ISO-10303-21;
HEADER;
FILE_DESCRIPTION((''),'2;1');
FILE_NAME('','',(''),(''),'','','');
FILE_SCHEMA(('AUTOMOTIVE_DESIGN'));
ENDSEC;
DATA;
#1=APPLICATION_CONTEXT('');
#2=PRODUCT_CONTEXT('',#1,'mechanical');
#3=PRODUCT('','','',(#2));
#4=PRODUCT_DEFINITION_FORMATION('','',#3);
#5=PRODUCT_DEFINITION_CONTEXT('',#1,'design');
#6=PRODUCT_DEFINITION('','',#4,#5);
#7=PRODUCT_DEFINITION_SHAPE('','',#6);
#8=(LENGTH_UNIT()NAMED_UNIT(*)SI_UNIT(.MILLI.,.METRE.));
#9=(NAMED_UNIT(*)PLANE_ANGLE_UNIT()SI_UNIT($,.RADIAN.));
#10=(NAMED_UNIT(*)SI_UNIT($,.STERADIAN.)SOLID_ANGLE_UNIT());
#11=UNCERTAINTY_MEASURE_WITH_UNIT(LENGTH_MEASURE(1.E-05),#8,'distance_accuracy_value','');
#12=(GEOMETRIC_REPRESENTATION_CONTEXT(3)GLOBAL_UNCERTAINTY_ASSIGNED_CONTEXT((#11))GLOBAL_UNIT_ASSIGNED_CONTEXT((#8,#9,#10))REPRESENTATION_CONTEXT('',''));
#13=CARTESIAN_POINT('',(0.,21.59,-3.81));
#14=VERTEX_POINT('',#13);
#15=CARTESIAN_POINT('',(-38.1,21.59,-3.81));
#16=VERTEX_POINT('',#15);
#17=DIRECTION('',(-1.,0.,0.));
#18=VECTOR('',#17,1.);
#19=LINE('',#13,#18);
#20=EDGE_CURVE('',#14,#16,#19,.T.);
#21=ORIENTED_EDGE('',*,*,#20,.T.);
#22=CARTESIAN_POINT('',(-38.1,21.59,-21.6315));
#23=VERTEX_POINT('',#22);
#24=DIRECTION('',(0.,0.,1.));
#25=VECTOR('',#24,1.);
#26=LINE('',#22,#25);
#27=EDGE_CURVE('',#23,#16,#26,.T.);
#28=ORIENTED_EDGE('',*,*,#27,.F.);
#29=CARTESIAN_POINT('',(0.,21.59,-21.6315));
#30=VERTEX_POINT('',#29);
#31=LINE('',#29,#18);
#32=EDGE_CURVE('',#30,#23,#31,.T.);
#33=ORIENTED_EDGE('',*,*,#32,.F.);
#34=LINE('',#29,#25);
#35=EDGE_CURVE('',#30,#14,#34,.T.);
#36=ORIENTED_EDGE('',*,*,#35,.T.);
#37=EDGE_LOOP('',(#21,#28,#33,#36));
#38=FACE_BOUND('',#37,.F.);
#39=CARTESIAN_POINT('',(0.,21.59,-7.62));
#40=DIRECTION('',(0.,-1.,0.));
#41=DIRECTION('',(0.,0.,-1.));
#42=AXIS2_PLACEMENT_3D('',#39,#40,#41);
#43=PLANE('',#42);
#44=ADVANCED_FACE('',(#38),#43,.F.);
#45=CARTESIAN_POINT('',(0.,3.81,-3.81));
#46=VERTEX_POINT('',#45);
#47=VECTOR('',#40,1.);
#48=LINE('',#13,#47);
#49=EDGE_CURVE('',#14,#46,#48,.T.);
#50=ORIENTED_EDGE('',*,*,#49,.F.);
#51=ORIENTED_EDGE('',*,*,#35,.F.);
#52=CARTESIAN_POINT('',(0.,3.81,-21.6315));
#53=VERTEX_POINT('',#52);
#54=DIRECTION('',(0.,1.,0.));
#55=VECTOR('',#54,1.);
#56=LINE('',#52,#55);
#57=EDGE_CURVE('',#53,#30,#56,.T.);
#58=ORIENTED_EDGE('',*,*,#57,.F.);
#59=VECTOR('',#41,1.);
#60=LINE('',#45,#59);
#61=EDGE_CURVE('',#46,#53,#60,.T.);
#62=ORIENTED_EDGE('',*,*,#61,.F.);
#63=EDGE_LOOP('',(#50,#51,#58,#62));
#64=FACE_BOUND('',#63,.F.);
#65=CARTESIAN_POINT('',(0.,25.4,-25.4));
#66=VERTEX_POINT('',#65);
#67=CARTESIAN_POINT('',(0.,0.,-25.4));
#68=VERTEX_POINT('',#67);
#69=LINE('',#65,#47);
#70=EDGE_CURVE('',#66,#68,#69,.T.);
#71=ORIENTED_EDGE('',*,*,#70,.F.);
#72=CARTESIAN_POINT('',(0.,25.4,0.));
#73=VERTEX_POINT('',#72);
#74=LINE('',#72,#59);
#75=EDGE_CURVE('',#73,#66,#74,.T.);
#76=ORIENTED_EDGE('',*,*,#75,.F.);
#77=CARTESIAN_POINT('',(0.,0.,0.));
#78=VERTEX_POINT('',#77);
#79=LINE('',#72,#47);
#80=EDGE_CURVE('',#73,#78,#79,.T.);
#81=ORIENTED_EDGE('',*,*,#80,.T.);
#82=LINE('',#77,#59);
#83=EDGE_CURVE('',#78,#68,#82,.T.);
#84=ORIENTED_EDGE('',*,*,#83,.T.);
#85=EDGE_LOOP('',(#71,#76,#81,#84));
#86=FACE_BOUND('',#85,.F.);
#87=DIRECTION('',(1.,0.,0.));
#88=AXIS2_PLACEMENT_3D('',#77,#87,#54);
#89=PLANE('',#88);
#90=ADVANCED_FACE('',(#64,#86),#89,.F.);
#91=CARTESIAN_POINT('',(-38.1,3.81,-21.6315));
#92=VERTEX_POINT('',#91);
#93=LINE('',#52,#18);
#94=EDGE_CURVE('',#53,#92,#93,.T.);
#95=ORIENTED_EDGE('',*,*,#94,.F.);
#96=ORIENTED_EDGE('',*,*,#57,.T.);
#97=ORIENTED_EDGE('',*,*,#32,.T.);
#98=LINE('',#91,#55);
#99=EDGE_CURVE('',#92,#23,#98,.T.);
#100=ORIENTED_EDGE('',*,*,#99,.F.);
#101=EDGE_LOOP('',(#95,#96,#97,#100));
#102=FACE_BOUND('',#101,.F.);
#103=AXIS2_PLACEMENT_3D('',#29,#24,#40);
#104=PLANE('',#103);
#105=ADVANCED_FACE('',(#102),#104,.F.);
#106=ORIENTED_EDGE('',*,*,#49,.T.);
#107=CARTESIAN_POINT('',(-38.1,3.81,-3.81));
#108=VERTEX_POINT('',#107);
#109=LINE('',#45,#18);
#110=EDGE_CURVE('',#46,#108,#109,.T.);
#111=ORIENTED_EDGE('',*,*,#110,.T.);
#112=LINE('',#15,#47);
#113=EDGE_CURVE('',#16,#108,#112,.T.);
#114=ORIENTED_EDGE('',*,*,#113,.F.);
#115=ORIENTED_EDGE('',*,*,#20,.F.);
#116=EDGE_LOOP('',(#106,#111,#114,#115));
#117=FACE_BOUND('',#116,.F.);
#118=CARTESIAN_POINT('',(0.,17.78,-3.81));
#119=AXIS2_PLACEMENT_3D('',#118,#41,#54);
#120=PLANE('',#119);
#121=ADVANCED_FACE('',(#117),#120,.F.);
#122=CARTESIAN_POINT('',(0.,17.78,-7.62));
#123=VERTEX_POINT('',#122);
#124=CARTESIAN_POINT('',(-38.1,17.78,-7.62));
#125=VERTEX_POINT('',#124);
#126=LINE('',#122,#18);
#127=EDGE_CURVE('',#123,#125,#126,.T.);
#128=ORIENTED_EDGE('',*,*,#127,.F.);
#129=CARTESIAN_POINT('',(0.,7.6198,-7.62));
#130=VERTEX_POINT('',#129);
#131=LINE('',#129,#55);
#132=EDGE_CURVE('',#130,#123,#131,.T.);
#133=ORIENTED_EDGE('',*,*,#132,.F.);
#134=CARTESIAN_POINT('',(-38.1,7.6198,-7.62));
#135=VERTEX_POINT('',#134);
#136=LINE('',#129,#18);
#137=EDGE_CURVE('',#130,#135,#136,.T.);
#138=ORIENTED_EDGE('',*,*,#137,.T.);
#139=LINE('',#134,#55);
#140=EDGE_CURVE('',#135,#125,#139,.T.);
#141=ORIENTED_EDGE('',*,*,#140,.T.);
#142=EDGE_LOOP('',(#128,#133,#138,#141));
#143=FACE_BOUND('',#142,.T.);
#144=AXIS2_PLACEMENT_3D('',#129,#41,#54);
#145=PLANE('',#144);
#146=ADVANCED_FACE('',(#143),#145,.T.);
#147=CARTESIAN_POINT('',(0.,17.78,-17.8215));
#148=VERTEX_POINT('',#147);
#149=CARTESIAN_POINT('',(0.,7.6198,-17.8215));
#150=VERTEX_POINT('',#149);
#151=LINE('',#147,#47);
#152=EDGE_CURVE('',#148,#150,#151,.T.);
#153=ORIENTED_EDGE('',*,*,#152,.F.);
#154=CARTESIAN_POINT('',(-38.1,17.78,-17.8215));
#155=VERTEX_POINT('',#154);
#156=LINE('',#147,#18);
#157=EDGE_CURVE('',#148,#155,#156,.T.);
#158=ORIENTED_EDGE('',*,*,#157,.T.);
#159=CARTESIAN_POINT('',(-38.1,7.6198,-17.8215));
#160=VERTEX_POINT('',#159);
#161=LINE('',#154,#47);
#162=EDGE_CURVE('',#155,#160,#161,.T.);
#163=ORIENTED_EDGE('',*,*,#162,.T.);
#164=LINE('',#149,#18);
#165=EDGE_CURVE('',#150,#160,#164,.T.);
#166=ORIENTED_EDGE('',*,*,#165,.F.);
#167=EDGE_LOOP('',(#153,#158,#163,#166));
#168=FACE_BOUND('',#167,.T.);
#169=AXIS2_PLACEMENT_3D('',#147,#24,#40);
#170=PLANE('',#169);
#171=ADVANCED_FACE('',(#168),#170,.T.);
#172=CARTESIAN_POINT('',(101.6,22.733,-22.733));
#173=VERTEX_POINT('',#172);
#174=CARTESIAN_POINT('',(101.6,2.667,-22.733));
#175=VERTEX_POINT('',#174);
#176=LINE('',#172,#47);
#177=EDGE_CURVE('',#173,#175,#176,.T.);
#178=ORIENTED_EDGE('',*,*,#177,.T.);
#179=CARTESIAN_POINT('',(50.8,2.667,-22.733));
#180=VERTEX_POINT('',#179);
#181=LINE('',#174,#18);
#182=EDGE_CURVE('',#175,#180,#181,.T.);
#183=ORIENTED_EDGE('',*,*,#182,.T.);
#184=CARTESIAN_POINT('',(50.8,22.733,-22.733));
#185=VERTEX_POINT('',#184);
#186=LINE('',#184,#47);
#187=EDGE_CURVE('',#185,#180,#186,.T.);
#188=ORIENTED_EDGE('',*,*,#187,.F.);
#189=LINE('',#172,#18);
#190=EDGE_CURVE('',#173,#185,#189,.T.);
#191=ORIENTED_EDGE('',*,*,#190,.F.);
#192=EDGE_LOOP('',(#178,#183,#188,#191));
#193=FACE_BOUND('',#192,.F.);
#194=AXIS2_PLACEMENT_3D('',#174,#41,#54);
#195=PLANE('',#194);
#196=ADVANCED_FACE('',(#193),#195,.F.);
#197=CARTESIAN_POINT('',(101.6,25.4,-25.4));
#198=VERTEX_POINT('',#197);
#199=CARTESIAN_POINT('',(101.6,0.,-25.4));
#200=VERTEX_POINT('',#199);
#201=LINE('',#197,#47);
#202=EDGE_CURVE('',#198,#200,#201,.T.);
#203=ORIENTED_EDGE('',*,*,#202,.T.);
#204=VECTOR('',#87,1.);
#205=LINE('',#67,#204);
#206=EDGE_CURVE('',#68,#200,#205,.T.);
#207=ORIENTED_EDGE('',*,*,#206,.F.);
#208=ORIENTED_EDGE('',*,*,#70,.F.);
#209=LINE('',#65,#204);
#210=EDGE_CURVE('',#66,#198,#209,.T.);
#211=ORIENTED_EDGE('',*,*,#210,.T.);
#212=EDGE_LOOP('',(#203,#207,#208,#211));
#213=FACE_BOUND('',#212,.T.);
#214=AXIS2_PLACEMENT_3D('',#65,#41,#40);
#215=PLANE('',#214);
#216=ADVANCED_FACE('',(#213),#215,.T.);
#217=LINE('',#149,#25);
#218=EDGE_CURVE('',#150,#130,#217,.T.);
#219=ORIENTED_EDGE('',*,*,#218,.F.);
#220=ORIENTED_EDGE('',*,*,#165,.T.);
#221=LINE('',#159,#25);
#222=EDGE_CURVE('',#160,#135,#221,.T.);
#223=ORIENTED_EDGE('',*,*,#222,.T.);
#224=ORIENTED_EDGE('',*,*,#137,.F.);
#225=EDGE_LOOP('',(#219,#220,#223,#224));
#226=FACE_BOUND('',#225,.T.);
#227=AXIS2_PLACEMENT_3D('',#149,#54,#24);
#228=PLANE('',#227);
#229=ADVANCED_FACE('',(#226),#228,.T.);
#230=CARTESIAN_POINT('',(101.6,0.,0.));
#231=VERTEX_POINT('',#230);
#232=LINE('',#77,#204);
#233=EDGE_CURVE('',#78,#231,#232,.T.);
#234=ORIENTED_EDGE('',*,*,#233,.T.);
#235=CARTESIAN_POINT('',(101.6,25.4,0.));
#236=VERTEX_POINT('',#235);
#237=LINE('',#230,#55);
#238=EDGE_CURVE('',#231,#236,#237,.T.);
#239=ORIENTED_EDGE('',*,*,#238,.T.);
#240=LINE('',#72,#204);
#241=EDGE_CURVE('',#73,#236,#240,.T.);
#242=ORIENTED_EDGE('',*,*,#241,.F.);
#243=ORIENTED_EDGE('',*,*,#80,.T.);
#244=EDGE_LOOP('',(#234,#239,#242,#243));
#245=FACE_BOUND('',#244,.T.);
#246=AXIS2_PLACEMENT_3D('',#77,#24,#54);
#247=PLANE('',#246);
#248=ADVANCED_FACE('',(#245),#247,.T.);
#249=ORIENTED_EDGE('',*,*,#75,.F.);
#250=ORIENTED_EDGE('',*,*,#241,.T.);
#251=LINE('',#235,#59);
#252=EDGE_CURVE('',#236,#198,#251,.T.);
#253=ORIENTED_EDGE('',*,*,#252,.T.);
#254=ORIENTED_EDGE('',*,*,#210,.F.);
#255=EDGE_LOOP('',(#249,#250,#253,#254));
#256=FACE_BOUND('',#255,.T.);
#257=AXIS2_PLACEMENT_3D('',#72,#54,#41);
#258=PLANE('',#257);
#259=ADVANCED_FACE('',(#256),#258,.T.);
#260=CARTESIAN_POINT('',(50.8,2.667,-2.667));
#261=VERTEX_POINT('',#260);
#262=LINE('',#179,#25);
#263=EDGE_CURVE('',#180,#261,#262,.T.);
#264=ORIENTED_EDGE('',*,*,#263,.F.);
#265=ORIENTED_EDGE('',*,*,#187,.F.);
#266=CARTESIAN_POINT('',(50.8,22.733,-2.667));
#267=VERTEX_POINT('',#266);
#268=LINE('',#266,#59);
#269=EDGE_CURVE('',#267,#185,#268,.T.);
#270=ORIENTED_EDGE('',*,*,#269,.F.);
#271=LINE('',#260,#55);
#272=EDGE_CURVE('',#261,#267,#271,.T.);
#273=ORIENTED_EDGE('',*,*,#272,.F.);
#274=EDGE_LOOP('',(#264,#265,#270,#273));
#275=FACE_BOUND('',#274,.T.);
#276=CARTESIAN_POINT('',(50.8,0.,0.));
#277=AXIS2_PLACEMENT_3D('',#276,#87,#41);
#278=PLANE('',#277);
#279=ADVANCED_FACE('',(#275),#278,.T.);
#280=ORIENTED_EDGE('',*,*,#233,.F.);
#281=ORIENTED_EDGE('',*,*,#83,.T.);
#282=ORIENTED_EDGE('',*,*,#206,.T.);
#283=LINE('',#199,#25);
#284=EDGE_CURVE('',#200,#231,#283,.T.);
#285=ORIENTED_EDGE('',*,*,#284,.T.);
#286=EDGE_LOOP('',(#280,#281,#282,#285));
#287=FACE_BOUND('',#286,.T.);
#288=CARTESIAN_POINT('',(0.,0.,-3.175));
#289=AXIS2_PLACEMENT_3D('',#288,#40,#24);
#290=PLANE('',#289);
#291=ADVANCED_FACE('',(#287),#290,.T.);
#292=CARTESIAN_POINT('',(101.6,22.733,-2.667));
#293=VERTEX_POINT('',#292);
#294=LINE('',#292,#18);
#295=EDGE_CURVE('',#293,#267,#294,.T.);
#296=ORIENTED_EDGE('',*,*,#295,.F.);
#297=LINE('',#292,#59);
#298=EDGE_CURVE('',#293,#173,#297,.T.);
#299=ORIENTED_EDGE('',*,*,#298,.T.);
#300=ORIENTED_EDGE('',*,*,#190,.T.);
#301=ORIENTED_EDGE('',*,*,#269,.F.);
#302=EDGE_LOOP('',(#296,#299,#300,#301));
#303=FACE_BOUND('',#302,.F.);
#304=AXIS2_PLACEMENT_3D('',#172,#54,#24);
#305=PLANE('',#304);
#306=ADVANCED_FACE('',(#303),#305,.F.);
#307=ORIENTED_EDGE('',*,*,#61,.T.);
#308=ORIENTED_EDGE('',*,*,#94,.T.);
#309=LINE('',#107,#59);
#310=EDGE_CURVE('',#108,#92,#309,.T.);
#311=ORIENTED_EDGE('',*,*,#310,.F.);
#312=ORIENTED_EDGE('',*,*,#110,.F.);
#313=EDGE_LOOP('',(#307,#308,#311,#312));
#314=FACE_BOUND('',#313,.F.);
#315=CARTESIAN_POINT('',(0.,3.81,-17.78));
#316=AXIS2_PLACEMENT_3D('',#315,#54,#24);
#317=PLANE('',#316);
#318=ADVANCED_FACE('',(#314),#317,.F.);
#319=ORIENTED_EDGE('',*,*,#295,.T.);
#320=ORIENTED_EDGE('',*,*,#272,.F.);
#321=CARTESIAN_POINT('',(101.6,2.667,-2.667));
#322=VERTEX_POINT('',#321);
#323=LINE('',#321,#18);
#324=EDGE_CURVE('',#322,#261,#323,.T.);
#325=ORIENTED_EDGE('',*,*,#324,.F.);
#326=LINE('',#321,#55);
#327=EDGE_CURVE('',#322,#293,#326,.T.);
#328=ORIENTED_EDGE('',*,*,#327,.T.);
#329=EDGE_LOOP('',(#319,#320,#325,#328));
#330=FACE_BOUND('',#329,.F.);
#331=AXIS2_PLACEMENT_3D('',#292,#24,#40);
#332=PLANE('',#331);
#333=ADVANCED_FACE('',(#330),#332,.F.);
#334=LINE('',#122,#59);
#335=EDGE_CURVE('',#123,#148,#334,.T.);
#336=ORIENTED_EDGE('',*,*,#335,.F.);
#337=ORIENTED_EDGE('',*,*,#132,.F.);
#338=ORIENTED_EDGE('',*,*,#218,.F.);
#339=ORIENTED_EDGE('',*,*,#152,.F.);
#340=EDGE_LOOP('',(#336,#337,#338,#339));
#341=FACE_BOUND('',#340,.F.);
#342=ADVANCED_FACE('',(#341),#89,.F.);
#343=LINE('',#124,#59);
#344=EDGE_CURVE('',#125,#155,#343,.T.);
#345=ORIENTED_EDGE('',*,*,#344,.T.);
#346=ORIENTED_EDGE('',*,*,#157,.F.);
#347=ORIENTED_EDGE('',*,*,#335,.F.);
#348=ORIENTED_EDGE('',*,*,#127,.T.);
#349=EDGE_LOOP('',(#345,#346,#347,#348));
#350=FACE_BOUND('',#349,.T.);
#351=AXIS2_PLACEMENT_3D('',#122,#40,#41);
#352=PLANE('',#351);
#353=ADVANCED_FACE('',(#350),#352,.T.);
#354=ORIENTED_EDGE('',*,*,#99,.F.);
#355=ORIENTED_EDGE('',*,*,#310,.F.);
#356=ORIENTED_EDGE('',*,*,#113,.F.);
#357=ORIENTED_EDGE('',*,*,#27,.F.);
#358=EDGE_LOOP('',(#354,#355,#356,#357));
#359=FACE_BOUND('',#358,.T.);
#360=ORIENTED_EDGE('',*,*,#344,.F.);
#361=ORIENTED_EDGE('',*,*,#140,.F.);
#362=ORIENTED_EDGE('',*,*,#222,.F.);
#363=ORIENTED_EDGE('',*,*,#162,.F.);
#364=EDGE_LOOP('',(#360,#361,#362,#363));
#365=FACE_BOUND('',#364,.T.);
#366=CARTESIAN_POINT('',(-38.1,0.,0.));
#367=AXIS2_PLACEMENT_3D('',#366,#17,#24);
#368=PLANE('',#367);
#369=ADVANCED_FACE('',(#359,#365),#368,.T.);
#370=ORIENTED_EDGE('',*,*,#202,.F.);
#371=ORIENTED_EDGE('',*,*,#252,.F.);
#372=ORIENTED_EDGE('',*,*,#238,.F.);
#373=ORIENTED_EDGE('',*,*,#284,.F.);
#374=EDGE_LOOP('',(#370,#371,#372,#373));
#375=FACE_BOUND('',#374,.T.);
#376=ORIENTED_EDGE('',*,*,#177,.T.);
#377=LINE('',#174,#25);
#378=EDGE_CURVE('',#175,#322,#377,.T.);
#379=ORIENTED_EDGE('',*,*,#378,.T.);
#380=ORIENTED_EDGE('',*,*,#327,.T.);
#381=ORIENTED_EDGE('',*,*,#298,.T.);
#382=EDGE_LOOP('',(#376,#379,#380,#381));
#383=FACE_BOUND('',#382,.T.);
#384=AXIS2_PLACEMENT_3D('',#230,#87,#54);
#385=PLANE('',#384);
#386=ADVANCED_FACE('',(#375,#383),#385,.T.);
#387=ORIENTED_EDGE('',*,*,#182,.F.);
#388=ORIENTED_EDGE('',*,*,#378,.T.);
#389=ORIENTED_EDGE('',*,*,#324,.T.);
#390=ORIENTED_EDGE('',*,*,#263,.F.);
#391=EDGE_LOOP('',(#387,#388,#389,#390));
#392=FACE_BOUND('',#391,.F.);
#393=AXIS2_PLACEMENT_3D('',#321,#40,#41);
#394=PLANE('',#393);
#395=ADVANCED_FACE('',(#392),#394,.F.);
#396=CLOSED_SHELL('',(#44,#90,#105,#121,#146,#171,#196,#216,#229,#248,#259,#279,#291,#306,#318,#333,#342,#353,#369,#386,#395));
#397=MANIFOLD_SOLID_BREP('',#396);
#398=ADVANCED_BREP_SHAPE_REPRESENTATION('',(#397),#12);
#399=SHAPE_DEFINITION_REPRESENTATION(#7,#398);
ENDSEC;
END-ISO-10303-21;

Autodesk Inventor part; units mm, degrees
ref_plane "YZ Plane" through (0, 0, 0) normal (1, 0, 0) x (0, 1, 0)
ref_plane "XZ Plane" through (0, 0, 0) normal (0, 1, 0) x (-1, 0, 0)
ref_plane "XY Plane" through (0, 0, 0) normal (0, 0, 1) x (1, 0, 0)
sketch "Sketch1" plane through (0, 0, 0) normal (1, 0, 0) x (0, 1, 0)
  line L0 (0, 0) -> (25.4, 0)
  line L1 (25.4, 0) -> (25.4, -25.4)
  line L2 (25.4, -25.4) -> (0, -25.4)
  line L3 (0, -25.4) -> (0, 0)
  line L4 (0, 0) -> (3.175, 0)
  line L5 (0, -3.175) -> (0, 0)
  line L6 (3.175, -3.175) -> (22.225, -3.175)
  line L7 (22.225, -3.175) -> (22.225, -22.225)
  line L8 (22.225, -22.225) -> (3.175, -22.225)
  line L9 (3.175, -22.225) -> (3.175, -3.175)
  dimension "d0" = 25.4
  dimension "d1" = 25.4
  dimension "d6" = 19.05
  dimension "d7" = 19.05
extrude "Extrusion1" add sketch "Sketch1" along normal blind 101.6 contours L0 L1 L2 L3 | L6 L7 L8 L9
sketch "Sketch2" plane through (101.6, 0, 0) normal (1, 0, 0) x (0, 0, -1)
  line L0 (22.733, 22.225) -> (22.733, 22.733)
  line L1 (22.733, 22.733) -> (22.225, 22.733)
  line L2 (2.667, 3.175) -> (2.667, 2.667)
  line L3 (2.667, 2.667) -> (3.175, 2.667)
  line L4 (2.667, 2.667) -> (22.733, 2.667)
  line L5 (22.733, 2.667) -> (22.733, 22.733)
  line L6 (22.733, 22.733) -> (2.667, 22.733)
  line L7 (2.667, 22.733) -> (2.667, 2.667)
  point P0 (0, 0)
extrude "Extrusion2" cut sketch "Sketch2" against normal blind 50.8
sketch "Sketch3" plane through (0, 0, 0) normal (-1, 0, 0) x (0, 0, 1)
  line L0 (-25.4, 0) -> (-21.6315, 0)
  line L1 (-21.6315, 3.81) -> (-17.78, 3.81)
  line L2 (-21.6315, 7.62) -> (-21.6315, 3.81)
  line L3 (-3.81, 21.59) -> (-7.62, 21.59)
  line L4 (-3.81, 17.78) -> (-3.81, 21.59)
  line L5 (-21.6315, 3.81) -> (-3.81, 3.81)
  line L6 (-3.81, 3.81) -> (-3.81, 21.59)
  line L7 (-3.81, 21.59) -> (-21.6315, 21.59)
  line L8 (-21.6315, 21.59) -> (-21.6315, 3.81)
  line L9 (-17.8215, 7.6198) -> (-7.62, 7.6198)
  line L10 (-7.62, 7.6198) -> (-7.62, 17.78)
  line L11 (-7.62, 17.78) -> (-17.8215, 17.78)
  line L12 (-17.8215, 17.78) -> (-17.8215, 7.6198)
  point P0 (0, 25.4)
extrude "Extrusion3" add sketch "Sketch3" along normal blind 38.1
properties part number "Right Side Piece"
